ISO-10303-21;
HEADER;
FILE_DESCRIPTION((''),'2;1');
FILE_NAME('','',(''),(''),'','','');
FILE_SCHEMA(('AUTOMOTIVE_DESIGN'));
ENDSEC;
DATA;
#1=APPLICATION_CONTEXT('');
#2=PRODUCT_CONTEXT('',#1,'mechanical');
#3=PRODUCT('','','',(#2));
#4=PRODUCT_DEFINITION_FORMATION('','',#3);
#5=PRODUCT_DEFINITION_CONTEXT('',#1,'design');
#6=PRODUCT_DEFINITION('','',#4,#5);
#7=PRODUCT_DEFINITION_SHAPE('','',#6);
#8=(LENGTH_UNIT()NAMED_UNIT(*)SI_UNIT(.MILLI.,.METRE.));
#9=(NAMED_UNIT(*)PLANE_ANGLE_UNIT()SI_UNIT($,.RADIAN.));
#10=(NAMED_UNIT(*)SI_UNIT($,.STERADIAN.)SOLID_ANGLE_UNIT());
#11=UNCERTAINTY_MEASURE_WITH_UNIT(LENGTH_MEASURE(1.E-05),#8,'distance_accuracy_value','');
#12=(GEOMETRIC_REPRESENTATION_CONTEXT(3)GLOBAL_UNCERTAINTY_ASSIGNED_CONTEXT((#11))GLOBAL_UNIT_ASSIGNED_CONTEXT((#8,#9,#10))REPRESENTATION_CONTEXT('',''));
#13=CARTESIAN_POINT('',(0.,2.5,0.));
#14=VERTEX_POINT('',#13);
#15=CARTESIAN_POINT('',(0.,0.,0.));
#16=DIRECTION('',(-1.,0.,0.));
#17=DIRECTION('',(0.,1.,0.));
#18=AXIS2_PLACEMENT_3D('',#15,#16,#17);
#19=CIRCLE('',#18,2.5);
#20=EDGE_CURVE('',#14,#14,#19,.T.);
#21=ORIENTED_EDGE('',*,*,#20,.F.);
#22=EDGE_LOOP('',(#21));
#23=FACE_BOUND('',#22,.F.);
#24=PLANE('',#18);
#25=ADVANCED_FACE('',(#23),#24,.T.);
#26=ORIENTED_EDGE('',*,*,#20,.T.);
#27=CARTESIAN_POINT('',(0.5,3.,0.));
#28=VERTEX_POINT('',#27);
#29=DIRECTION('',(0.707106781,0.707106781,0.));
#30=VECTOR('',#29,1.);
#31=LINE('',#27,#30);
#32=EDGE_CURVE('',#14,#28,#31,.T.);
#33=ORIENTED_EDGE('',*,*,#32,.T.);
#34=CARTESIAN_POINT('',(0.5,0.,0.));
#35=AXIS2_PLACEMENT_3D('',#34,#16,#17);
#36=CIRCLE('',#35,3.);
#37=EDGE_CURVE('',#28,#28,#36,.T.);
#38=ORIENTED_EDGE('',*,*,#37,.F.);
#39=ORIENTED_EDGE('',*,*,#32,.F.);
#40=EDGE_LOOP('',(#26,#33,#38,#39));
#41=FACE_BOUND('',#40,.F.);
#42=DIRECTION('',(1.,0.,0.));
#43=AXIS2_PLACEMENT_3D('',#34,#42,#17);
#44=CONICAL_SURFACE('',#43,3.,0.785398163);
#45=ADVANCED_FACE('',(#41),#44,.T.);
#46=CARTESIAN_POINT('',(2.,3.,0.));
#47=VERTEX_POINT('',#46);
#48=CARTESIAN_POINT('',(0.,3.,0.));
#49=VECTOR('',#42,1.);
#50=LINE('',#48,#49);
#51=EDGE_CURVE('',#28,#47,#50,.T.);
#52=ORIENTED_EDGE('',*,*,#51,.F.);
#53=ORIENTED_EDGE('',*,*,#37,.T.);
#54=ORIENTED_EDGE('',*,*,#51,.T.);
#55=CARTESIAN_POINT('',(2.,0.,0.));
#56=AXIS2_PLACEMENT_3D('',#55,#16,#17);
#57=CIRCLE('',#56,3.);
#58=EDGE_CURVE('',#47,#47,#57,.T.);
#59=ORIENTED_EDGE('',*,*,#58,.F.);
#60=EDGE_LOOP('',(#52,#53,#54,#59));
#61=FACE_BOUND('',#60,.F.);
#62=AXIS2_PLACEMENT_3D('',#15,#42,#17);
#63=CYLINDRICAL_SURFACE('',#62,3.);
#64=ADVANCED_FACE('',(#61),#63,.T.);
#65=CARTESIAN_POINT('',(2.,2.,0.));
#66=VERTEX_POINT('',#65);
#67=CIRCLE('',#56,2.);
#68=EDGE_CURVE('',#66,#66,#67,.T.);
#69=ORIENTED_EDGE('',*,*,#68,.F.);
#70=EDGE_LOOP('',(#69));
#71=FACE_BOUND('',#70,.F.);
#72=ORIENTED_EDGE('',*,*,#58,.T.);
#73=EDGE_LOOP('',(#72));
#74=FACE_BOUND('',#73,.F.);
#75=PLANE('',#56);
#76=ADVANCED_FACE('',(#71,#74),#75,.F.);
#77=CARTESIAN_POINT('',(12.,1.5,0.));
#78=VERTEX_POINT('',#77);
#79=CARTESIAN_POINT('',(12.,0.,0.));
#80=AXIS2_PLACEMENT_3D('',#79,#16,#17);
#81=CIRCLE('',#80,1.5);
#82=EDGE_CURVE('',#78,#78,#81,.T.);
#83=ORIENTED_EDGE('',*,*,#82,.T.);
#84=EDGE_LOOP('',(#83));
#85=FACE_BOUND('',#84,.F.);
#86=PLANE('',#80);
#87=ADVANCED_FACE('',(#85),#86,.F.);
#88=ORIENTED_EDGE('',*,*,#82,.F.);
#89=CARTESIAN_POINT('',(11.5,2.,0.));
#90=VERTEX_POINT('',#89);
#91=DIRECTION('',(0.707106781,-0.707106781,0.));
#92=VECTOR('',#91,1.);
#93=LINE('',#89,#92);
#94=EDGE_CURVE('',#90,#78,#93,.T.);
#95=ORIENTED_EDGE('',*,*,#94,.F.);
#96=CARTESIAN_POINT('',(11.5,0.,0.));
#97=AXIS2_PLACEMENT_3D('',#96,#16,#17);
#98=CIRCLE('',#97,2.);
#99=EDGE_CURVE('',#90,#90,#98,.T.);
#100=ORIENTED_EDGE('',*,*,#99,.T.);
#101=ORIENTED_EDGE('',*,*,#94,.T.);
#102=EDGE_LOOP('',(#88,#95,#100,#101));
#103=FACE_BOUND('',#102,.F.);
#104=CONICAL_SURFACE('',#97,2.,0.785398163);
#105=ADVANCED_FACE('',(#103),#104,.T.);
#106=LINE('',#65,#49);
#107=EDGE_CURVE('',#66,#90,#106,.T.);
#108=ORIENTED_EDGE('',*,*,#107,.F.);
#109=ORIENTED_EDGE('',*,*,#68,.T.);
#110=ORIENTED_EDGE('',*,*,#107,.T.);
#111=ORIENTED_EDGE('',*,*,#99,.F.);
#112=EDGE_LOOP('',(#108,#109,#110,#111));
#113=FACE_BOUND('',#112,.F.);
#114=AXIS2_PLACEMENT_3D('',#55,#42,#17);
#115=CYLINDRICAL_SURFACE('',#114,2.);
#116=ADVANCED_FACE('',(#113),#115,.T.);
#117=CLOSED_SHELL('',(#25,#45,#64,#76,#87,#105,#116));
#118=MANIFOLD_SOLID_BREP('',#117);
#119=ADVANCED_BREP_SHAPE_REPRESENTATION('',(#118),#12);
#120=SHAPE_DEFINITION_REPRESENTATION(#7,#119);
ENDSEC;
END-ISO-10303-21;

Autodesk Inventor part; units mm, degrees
ref_plane "YZ Plane" through (0, 0, 0) normal (1, 0, 0) x (0, 1, 0)
ref_plane "XZ Plane" through (0, 0, 0) normal (0, 1, 0) x (-1, 0, 0)
ref_plane "XY Plane" through (0, 0, 0) normal (0, 0, 1) x (1, 0, 0)
sketch "Sketch1" plane through (0, 0, 0) normal (0, 0, 1) x (1, 0, 0)
  line L0 (0, 0) -> (0, 3)
  line L1 (0, 3) -> (2, 3)
  line L2 (2, 3) -> (2, 2)
  line L3 (2, 2) -> (12, 2)
  line L4 (12, 2) -> (12, 0)
  line L5 (12, 0) -> (0, 0)
  point P0 (1, 3)
  point P1 (0, 1.5)
  point P2 (2, 2.5)
  dimension "d0" = 6
  dimension "d1" = 4
  dimension "d2" = 12
  dimension "d3" = 2
revolve "Revolution1" add sketch "Sketch1" angle 360 about axis through (12, 0, 0) along (-1, 0, 0)
chamfer "Chamfer1" distance 0.5 angle 45 2 edges at (0, -3, 0) (12, -2, 0)
properties part number "Axle" material "Steel"
